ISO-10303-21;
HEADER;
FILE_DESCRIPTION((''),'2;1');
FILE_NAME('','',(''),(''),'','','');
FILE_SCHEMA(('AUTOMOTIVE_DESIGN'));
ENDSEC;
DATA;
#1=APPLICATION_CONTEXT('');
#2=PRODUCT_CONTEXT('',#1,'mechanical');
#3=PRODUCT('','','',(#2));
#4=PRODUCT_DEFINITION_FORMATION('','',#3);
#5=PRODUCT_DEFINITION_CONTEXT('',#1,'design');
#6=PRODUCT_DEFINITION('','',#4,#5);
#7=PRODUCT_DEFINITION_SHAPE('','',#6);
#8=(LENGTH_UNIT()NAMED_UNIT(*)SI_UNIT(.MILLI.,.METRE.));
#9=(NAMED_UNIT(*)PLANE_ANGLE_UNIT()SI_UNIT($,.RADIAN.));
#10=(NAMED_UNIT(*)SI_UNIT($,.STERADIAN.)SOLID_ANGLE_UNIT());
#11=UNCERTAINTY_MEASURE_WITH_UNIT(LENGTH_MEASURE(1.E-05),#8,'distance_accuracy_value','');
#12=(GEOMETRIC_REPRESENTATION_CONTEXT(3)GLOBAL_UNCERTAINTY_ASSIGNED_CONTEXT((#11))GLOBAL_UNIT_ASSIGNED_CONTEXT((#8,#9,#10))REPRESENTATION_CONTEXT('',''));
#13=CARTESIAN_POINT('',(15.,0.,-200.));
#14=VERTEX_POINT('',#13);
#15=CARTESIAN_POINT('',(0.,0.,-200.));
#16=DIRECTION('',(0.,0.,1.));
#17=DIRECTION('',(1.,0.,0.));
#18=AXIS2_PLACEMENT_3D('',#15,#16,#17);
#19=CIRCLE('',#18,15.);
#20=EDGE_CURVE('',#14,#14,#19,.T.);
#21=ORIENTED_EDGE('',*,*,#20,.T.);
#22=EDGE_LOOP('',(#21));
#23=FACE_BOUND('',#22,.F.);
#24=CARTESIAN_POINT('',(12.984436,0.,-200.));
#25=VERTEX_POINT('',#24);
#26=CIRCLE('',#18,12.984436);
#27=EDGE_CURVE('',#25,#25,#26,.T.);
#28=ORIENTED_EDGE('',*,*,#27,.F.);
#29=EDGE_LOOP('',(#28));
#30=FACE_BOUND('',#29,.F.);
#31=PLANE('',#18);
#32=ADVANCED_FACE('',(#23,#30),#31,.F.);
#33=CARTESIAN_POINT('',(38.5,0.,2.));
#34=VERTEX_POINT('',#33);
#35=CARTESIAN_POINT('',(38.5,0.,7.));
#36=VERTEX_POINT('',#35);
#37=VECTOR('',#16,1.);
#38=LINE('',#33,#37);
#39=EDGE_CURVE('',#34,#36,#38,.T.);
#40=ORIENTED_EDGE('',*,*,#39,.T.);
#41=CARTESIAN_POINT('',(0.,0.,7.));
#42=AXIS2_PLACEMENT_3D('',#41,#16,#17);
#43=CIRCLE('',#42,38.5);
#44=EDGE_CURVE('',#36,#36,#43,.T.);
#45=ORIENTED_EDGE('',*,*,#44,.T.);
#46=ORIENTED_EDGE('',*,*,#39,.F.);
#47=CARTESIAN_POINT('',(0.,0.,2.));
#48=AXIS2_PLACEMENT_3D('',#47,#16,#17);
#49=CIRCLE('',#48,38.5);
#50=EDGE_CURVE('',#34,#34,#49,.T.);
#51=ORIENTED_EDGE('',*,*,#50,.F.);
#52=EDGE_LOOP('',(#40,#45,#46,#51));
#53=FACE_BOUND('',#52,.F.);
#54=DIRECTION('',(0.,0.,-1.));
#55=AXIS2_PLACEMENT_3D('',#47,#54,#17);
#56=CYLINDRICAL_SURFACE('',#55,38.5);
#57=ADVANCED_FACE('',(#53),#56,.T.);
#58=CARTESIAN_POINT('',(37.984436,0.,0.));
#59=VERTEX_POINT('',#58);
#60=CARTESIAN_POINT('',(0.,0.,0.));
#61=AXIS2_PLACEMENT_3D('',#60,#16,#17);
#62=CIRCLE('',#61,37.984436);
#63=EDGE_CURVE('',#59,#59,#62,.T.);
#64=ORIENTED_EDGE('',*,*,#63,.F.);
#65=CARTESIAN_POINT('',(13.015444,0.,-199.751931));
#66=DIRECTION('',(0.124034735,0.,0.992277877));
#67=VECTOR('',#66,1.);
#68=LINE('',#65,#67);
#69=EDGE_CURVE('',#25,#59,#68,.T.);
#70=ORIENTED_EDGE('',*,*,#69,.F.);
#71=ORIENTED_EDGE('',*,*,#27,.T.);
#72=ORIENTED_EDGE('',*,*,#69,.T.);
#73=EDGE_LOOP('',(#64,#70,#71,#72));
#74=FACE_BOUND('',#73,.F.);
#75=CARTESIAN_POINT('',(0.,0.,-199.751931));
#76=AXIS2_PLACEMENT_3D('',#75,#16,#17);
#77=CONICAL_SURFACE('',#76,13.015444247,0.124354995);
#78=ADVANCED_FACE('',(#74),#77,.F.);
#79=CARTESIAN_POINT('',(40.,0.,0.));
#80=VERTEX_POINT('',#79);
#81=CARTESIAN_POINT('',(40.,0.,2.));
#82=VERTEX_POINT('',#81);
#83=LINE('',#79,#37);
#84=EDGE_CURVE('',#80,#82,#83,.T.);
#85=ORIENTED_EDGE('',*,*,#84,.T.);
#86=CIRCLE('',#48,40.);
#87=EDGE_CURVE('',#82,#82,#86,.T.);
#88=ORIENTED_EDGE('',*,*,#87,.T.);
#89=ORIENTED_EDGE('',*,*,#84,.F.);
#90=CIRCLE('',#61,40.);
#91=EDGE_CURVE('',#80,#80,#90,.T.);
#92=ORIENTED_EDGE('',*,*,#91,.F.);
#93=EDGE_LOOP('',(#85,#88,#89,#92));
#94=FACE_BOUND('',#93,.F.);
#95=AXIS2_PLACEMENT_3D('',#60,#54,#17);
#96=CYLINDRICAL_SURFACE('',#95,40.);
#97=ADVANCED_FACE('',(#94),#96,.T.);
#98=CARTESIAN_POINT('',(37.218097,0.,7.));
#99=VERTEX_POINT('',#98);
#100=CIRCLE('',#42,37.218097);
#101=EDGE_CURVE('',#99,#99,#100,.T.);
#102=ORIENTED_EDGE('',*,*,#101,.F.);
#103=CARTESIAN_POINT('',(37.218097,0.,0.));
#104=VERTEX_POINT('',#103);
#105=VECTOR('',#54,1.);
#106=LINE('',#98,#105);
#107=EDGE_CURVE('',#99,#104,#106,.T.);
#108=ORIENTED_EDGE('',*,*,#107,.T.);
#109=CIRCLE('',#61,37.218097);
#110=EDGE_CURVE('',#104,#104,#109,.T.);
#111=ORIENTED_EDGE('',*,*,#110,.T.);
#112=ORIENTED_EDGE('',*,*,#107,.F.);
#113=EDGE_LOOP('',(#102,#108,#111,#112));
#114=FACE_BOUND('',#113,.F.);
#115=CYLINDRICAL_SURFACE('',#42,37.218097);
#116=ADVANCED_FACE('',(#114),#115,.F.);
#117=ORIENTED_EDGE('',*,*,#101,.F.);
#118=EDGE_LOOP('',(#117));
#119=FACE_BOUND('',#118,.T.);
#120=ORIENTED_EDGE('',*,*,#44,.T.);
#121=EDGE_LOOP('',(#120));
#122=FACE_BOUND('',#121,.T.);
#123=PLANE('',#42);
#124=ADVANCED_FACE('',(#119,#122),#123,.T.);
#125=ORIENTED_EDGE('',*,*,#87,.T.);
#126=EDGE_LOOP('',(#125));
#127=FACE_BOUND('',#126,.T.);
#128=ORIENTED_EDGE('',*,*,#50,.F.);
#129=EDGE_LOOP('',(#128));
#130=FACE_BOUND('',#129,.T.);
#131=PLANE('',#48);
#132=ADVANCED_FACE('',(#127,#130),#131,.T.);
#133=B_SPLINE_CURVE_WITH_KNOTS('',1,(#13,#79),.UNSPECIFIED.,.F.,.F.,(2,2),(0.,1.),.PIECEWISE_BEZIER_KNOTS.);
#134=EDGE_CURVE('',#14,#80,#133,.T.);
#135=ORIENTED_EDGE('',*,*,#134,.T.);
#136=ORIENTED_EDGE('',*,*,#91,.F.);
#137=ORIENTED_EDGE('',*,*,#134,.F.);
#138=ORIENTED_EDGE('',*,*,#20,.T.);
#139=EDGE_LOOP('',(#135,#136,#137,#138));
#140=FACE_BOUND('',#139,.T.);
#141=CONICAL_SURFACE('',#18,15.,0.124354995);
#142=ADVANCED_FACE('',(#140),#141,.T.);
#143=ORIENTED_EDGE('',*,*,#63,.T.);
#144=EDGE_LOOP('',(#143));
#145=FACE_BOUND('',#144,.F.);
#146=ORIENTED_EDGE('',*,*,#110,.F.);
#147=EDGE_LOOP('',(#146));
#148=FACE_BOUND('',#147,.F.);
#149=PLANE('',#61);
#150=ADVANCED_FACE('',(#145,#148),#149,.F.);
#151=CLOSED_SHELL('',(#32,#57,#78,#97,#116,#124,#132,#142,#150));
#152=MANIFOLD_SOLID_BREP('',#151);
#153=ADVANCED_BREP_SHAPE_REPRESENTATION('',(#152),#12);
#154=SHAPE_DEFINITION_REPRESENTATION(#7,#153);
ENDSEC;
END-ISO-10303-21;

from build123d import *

# Parameters (mm, degrees)
F0_R      = 40
F1_DEPTH  = 2
F2_R      = 38.5
F3_DEPTH  = 5
F7_R      = 15
F4_R      = 40
F9_T      = -2
F10_R     = 37.2180973158
F11_DEPTH = 7.001


with BuildPart() as f1:
    # F0 (on Top) → F1 (new body)
    with BuildSketch(Plane.XY):
        Circle(F0_R)
    extrude(amount=F1_DEPTH)

    # F2 (on face) → F3 (join)
    with BuildSketch(Plane.XY.offset(2)):
        Circle(F2_R)
    extrude(amount=F3_DEPTH)

    # F7 (on plane+point) → F8 section 0
    with BuildSketch(Plane.XY.offset(-200)):
        Circle(F7_R)
    # F4 (on face) → F8 section 1
    with BuildSketch(Plane(origin=(0, 0, 0), x_dir=(1, 0, 0), z_dir=(0, 0, -1))):
        Circle(F4_R)
    loft()

    # F9
    f9_openings = [f1.faces().sort_by_distance(p)[0] for p in [
        (0, 0, -200),
    ]]
    offset(amount=F9_T, openings=f9_openings, kind=Kind.INTERSECTION)

    # F10 (on face) → F11 (cut, through all)
    with BuildSketch(Plane.XY.offset(7)):
        Circle(F10_R)
    extrude(amount=-F11_DEPTH, mode=Mode.SUBTRACT)


solid = f1.part
